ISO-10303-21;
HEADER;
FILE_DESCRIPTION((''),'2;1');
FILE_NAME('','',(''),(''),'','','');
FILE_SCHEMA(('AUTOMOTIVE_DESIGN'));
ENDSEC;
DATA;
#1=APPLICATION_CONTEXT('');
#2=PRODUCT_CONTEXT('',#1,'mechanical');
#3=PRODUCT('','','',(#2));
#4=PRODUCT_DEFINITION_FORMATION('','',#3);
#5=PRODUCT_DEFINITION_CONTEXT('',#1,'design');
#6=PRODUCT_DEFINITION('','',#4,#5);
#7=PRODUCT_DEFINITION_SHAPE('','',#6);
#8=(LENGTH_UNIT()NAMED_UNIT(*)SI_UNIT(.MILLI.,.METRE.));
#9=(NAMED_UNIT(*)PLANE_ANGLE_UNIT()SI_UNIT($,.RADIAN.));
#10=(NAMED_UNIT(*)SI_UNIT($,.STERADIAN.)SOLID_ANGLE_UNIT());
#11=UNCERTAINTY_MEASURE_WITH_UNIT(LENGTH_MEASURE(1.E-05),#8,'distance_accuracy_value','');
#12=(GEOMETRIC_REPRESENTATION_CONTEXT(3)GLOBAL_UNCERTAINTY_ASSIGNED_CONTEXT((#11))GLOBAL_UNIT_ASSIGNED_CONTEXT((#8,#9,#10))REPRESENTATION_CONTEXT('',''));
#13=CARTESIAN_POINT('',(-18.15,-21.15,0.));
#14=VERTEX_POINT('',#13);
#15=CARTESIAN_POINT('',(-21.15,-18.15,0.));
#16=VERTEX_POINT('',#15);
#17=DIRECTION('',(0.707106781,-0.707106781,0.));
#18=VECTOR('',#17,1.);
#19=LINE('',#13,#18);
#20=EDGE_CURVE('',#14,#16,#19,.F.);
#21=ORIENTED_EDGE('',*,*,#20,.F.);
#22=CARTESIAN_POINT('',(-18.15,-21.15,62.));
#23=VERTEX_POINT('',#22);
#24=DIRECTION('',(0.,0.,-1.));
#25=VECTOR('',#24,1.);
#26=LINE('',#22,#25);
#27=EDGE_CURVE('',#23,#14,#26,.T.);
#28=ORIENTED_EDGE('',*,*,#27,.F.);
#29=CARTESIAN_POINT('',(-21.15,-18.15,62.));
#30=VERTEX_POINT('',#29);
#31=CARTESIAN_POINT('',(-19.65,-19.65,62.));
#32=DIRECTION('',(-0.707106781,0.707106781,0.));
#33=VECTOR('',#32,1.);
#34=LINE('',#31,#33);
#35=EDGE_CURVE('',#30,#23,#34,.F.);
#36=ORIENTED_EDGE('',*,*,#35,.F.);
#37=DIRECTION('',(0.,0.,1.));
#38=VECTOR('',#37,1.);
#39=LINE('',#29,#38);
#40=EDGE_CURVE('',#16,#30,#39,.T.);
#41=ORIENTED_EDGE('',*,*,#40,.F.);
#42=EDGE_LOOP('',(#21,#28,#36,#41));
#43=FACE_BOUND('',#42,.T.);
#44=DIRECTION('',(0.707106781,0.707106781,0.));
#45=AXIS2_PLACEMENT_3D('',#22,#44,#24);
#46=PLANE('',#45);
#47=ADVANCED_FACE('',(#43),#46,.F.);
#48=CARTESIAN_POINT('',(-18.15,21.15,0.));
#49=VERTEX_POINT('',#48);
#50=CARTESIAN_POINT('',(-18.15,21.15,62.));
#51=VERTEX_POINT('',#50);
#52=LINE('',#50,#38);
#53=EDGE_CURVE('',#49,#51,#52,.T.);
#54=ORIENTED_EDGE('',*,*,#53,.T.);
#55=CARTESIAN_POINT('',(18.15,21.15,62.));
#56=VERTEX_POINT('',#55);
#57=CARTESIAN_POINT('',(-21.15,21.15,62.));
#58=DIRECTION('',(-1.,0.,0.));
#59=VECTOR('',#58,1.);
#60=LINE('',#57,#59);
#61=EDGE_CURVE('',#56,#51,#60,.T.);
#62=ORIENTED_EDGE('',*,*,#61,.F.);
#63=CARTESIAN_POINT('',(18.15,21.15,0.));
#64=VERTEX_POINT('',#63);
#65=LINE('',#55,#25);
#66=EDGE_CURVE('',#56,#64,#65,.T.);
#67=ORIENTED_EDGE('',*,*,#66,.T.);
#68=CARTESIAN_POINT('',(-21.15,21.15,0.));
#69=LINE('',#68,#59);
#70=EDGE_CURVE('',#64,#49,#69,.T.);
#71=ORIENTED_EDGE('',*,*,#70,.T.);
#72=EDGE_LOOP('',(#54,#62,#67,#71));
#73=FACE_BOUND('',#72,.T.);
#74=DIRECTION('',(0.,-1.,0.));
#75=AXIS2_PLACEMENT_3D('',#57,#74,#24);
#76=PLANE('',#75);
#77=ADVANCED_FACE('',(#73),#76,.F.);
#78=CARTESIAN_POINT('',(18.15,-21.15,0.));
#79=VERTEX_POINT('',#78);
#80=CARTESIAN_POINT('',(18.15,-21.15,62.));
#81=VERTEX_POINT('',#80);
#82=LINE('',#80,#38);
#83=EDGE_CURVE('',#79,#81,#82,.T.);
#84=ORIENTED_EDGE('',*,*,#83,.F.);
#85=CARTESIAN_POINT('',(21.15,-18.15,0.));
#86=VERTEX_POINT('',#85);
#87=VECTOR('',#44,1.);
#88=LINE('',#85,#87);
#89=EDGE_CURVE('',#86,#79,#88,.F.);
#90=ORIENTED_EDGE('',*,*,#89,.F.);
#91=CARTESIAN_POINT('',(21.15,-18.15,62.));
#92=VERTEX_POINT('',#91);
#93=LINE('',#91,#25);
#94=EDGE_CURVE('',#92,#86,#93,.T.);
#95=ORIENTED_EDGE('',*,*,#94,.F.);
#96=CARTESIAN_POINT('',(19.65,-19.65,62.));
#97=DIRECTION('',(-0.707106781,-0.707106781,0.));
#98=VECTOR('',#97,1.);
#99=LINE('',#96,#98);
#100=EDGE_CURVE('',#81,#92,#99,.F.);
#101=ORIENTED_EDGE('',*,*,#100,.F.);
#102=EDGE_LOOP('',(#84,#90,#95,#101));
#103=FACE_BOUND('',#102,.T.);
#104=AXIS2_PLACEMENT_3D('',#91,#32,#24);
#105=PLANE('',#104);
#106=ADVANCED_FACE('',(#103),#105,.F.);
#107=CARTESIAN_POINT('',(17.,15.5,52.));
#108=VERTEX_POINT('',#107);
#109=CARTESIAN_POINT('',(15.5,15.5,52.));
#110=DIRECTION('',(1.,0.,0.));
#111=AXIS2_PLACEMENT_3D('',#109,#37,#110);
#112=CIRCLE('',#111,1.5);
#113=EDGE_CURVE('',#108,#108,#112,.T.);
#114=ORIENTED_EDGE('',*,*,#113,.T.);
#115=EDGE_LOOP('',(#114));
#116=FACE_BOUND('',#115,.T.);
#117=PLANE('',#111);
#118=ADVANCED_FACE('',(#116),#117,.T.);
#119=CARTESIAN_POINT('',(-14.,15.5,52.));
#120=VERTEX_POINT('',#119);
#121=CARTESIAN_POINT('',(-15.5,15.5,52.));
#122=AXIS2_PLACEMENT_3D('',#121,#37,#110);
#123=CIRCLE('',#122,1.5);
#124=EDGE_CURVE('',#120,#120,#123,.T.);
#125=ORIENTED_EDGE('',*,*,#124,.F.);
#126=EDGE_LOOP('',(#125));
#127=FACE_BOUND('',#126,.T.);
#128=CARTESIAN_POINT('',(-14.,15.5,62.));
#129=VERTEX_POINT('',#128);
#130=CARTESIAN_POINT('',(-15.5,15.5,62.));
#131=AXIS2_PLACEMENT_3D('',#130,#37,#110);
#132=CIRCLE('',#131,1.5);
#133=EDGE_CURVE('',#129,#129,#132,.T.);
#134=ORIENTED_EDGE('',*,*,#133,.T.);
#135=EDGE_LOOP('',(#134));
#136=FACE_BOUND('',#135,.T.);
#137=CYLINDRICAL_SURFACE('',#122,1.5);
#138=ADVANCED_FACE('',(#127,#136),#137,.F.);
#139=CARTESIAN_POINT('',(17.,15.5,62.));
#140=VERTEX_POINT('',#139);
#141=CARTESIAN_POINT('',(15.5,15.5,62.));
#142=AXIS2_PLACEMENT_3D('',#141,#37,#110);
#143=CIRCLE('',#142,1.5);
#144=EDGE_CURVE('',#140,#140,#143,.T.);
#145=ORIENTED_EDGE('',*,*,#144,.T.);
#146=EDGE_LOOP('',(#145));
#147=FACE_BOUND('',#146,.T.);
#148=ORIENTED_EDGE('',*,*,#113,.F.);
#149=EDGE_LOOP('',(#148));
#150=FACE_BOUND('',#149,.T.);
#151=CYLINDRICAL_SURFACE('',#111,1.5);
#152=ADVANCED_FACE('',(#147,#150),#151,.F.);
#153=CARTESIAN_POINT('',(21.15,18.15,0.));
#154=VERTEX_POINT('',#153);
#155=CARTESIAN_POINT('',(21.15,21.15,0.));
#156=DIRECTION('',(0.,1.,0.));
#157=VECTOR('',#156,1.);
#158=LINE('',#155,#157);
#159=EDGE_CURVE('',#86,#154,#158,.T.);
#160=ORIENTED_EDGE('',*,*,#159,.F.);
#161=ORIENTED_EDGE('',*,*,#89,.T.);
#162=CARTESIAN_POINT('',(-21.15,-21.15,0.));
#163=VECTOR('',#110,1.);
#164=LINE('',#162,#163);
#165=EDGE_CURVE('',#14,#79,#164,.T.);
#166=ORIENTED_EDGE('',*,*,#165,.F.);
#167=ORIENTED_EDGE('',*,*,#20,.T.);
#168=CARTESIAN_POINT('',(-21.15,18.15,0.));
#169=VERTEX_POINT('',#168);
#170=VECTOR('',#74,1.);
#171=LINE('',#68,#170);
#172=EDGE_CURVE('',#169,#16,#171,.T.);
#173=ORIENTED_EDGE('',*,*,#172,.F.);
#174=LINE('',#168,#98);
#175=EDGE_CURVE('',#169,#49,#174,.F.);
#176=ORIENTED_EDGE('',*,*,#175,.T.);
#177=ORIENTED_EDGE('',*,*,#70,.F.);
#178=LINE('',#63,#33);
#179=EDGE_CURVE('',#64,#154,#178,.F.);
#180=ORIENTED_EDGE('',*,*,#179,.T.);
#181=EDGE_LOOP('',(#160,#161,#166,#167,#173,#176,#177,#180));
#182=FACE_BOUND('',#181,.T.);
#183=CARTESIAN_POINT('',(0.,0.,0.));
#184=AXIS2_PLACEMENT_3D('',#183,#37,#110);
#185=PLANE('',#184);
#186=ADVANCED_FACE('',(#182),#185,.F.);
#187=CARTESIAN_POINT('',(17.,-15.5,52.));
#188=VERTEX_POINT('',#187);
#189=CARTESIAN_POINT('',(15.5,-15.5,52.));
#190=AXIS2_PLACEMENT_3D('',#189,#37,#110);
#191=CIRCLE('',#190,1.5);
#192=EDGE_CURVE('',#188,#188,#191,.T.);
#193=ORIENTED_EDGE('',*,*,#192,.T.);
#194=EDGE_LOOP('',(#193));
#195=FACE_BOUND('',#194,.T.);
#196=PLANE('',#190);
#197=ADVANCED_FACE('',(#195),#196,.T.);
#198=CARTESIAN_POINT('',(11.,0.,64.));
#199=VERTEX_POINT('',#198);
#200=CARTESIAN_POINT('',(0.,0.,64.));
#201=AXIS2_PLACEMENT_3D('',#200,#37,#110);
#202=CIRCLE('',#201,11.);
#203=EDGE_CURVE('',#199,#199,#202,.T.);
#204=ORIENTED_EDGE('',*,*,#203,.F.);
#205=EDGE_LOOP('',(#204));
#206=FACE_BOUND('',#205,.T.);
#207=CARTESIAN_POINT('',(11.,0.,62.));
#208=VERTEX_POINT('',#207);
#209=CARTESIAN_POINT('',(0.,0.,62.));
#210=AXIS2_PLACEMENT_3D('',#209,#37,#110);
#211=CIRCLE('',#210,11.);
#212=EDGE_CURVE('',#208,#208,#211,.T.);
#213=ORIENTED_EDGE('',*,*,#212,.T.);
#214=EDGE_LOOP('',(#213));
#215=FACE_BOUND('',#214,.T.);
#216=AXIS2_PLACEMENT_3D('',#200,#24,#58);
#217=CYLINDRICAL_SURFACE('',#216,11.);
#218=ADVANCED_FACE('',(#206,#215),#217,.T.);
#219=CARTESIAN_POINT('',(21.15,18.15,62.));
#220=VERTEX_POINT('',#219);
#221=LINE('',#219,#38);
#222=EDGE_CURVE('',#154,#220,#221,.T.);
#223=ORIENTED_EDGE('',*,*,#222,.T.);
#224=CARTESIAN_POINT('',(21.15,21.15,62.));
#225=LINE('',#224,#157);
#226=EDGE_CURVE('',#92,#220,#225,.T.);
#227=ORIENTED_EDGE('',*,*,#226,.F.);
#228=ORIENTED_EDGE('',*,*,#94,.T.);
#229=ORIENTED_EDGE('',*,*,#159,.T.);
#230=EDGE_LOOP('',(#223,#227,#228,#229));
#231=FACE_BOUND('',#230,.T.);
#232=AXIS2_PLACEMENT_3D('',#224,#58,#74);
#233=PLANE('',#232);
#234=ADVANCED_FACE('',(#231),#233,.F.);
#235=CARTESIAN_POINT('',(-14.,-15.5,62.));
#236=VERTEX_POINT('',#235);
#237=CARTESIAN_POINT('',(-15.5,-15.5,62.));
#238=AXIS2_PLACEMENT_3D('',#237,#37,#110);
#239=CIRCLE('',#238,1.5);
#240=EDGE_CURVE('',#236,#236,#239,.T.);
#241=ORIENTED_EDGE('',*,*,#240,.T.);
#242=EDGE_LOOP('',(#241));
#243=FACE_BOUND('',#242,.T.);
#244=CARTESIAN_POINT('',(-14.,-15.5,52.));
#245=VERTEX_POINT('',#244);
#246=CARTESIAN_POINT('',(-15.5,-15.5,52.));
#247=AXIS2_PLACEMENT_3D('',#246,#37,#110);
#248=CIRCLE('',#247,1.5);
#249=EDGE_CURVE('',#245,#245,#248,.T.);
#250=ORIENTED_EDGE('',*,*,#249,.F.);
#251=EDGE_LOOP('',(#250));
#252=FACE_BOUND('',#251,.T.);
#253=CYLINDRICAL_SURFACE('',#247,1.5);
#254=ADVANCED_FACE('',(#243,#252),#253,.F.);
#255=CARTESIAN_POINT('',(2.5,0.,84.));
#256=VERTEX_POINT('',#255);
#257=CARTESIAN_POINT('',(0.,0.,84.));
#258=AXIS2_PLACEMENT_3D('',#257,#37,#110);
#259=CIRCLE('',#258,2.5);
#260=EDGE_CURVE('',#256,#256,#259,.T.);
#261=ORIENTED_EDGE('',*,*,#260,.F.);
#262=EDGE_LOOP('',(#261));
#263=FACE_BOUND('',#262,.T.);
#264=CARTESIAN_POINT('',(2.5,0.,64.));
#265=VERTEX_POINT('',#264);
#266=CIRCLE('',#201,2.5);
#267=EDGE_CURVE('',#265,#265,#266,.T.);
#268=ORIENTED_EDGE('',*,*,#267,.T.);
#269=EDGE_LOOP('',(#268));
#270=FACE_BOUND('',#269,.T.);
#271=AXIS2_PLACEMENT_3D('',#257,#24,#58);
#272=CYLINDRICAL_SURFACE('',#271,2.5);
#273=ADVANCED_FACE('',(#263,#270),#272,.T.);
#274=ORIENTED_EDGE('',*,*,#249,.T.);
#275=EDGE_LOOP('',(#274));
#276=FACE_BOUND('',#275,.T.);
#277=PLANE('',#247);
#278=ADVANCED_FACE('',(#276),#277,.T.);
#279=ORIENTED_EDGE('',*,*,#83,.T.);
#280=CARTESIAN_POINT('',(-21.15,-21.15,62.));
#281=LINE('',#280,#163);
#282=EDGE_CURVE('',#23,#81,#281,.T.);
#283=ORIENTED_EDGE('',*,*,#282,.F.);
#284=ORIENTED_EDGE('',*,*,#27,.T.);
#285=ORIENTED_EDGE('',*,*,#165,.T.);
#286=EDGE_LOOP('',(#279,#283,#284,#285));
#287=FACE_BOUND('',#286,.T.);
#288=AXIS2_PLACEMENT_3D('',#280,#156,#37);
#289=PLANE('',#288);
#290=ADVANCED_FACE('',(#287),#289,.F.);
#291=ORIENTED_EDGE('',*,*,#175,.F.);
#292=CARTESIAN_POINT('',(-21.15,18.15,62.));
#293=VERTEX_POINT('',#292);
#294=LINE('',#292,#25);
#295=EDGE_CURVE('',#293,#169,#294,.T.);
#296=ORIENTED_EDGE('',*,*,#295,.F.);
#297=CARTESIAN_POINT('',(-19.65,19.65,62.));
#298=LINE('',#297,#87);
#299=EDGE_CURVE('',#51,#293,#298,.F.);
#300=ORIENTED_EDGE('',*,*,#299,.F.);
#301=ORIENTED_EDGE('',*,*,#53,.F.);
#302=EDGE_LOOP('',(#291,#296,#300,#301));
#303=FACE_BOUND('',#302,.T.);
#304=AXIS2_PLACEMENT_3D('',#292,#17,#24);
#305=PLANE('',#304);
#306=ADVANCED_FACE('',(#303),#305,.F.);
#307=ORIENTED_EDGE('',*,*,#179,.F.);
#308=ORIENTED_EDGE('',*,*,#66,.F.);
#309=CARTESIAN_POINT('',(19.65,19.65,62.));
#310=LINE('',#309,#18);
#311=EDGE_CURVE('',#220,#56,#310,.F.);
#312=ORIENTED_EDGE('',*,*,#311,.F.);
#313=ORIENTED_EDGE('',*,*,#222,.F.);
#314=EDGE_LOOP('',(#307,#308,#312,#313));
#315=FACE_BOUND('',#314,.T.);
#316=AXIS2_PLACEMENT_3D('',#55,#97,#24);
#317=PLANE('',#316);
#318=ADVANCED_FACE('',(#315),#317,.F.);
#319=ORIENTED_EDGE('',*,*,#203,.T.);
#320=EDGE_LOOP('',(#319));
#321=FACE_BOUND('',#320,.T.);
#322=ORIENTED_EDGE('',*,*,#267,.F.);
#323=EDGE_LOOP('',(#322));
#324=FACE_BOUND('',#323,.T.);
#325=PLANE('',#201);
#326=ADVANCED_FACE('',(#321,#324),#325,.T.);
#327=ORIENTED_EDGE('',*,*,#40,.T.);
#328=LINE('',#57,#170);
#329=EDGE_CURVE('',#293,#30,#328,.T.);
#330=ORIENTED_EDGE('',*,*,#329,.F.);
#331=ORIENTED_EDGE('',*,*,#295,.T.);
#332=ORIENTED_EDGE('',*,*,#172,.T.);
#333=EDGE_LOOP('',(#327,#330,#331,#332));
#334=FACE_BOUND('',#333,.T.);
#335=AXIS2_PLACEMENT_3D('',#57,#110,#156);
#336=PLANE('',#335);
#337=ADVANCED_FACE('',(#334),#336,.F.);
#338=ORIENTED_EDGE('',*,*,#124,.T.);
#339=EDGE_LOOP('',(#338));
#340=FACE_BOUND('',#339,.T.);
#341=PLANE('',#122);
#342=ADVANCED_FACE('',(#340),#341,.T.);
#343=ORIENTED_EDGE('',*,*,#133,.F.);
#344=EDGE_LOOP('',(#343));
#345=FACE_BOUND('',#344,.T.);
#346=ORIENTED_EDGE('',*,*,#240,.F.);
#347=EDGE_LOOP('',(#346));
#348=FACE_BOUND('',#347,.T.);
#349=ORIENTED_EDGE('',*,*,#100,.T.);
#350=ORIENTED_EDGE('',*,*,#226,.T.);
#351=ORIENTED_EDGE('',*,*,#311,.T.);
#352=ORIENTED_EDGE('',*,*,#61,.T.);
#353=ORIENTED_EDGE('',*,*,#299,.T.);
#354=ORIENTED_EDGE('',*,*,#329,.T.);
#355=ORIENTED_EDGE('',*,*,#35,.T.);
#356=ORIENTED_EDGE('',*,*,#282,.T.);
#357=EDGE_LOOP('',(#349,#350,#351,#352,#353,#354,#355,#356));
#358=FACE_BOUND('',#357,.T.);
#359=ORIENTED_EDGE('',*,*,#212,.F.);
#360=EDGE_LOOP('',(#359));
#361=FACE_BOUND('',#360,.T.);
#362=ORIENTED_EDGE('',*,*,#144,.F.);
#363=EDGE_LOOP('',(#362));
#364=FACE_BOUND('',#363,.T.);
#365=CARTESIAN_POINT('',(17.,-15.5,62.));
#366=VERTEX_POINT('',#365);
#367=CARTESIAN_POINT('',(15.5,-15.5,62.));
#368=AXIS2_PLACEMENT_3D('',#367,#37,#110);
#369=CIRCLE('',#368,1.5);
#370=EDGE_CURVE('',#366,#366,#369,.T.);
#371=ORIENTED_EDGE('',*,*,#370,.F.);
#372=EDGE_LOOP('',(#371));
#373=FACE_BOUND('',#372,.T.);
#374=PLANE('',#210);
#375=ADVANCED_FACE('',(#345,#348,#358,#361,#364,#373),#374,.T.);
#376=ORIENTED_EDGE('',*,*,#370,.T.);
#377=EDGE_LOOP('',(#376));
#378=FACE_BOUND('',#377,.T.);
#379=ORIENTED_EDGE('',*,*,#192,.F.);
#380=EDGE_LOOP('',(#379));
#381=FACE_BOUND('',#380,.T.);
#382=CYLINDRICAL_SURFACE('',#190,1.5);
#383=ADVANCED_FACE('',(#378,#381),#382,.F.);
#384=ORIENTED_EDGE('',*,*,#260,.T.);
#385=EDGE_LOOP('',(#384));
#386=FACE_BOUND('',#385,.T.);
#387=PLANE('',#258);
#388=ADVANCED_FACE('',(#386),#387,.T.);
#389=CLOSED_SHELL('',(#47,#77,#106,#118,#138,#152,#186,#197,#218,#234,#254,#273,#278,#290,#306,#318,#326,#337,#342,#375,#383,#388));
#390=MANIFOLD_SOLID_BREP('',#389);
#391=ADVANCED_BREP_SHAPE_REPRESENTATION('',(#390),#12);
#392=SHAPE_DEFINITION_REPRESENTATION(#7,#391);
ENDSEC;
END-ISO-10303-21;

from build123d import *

# Parameters (mm, degrees)
SKETCH_1_W          = 42.3
SKETCH_1_H          = 42.3
EXTRUDE_1_DEPTH     = 62
SKETCH_2_R          = 11
EXTRUDE_2_DEPTH     = 2
SKETCH_3_R          = 2.5
EXTRUDE_3_DEPTH     = 20
CHAMFER_1_SIZE      = 3
SKETCH_4_R          = 1.5
CUT_EXTRUDE_1_DEPTH = 10


with BuildPart() as part:
    # 草图1 → 凸台-拉伸1 (new body)
    with BuildSketch(Plane.XY):
        Rectangle(SKETCH_1_W, SKETCH_1_H)
    extrude(amount=EXTRUDE_1_DEPTH)

    # 草图2 → 凸台-拉伸2 (add)
    with BuildSketch(Plane.XY.offset(62)):
        Circle(SKETCH_2_R)
    extrude(amount=EXTRUDE_2_DEPTH)

    # 草图3 → 凸台-拉伸3 (add)
    with BuildSketch(Plane.XY.offset(64)):
        Circle(SKETCH_3_R)
    extrude(amount=EXTRUDE_3_DEPTH)

    # 倒角1
    chamfer_1_edges = [part.edges().sort_by_distance(p)[0] for p in [
        (21.15, -21.15, 31),
        (-21.15, -21.15, 31),
        (-21.15, 21.15, 31),
        (21.15, 21.15, 31),
    ]]
    chamfer(chamfer_1_edges, length=CHAMFER_1_SIZE)

    # 草图4 → 切除-拉伸1 (cut)
    with BuildSketch(Plane.XY.offset(62)):
        with Locations((15.5, -15.5)):
            Circle(SKETCH_4_R)
        with Locations((-15.5, -15.5)):
            Circle(SKETCH_4_R)
        with Locations((15.5, 15.5)):
            Circle(SKETCH_4_R)
        with Locations((-15.5, 15.5)):
            Circle(SKETCH_4_R)
    extrude(amount=-CUT_EXTRUDE_1_DEPTH, mode=Mode.SUBTRACT)


solid = part.part
